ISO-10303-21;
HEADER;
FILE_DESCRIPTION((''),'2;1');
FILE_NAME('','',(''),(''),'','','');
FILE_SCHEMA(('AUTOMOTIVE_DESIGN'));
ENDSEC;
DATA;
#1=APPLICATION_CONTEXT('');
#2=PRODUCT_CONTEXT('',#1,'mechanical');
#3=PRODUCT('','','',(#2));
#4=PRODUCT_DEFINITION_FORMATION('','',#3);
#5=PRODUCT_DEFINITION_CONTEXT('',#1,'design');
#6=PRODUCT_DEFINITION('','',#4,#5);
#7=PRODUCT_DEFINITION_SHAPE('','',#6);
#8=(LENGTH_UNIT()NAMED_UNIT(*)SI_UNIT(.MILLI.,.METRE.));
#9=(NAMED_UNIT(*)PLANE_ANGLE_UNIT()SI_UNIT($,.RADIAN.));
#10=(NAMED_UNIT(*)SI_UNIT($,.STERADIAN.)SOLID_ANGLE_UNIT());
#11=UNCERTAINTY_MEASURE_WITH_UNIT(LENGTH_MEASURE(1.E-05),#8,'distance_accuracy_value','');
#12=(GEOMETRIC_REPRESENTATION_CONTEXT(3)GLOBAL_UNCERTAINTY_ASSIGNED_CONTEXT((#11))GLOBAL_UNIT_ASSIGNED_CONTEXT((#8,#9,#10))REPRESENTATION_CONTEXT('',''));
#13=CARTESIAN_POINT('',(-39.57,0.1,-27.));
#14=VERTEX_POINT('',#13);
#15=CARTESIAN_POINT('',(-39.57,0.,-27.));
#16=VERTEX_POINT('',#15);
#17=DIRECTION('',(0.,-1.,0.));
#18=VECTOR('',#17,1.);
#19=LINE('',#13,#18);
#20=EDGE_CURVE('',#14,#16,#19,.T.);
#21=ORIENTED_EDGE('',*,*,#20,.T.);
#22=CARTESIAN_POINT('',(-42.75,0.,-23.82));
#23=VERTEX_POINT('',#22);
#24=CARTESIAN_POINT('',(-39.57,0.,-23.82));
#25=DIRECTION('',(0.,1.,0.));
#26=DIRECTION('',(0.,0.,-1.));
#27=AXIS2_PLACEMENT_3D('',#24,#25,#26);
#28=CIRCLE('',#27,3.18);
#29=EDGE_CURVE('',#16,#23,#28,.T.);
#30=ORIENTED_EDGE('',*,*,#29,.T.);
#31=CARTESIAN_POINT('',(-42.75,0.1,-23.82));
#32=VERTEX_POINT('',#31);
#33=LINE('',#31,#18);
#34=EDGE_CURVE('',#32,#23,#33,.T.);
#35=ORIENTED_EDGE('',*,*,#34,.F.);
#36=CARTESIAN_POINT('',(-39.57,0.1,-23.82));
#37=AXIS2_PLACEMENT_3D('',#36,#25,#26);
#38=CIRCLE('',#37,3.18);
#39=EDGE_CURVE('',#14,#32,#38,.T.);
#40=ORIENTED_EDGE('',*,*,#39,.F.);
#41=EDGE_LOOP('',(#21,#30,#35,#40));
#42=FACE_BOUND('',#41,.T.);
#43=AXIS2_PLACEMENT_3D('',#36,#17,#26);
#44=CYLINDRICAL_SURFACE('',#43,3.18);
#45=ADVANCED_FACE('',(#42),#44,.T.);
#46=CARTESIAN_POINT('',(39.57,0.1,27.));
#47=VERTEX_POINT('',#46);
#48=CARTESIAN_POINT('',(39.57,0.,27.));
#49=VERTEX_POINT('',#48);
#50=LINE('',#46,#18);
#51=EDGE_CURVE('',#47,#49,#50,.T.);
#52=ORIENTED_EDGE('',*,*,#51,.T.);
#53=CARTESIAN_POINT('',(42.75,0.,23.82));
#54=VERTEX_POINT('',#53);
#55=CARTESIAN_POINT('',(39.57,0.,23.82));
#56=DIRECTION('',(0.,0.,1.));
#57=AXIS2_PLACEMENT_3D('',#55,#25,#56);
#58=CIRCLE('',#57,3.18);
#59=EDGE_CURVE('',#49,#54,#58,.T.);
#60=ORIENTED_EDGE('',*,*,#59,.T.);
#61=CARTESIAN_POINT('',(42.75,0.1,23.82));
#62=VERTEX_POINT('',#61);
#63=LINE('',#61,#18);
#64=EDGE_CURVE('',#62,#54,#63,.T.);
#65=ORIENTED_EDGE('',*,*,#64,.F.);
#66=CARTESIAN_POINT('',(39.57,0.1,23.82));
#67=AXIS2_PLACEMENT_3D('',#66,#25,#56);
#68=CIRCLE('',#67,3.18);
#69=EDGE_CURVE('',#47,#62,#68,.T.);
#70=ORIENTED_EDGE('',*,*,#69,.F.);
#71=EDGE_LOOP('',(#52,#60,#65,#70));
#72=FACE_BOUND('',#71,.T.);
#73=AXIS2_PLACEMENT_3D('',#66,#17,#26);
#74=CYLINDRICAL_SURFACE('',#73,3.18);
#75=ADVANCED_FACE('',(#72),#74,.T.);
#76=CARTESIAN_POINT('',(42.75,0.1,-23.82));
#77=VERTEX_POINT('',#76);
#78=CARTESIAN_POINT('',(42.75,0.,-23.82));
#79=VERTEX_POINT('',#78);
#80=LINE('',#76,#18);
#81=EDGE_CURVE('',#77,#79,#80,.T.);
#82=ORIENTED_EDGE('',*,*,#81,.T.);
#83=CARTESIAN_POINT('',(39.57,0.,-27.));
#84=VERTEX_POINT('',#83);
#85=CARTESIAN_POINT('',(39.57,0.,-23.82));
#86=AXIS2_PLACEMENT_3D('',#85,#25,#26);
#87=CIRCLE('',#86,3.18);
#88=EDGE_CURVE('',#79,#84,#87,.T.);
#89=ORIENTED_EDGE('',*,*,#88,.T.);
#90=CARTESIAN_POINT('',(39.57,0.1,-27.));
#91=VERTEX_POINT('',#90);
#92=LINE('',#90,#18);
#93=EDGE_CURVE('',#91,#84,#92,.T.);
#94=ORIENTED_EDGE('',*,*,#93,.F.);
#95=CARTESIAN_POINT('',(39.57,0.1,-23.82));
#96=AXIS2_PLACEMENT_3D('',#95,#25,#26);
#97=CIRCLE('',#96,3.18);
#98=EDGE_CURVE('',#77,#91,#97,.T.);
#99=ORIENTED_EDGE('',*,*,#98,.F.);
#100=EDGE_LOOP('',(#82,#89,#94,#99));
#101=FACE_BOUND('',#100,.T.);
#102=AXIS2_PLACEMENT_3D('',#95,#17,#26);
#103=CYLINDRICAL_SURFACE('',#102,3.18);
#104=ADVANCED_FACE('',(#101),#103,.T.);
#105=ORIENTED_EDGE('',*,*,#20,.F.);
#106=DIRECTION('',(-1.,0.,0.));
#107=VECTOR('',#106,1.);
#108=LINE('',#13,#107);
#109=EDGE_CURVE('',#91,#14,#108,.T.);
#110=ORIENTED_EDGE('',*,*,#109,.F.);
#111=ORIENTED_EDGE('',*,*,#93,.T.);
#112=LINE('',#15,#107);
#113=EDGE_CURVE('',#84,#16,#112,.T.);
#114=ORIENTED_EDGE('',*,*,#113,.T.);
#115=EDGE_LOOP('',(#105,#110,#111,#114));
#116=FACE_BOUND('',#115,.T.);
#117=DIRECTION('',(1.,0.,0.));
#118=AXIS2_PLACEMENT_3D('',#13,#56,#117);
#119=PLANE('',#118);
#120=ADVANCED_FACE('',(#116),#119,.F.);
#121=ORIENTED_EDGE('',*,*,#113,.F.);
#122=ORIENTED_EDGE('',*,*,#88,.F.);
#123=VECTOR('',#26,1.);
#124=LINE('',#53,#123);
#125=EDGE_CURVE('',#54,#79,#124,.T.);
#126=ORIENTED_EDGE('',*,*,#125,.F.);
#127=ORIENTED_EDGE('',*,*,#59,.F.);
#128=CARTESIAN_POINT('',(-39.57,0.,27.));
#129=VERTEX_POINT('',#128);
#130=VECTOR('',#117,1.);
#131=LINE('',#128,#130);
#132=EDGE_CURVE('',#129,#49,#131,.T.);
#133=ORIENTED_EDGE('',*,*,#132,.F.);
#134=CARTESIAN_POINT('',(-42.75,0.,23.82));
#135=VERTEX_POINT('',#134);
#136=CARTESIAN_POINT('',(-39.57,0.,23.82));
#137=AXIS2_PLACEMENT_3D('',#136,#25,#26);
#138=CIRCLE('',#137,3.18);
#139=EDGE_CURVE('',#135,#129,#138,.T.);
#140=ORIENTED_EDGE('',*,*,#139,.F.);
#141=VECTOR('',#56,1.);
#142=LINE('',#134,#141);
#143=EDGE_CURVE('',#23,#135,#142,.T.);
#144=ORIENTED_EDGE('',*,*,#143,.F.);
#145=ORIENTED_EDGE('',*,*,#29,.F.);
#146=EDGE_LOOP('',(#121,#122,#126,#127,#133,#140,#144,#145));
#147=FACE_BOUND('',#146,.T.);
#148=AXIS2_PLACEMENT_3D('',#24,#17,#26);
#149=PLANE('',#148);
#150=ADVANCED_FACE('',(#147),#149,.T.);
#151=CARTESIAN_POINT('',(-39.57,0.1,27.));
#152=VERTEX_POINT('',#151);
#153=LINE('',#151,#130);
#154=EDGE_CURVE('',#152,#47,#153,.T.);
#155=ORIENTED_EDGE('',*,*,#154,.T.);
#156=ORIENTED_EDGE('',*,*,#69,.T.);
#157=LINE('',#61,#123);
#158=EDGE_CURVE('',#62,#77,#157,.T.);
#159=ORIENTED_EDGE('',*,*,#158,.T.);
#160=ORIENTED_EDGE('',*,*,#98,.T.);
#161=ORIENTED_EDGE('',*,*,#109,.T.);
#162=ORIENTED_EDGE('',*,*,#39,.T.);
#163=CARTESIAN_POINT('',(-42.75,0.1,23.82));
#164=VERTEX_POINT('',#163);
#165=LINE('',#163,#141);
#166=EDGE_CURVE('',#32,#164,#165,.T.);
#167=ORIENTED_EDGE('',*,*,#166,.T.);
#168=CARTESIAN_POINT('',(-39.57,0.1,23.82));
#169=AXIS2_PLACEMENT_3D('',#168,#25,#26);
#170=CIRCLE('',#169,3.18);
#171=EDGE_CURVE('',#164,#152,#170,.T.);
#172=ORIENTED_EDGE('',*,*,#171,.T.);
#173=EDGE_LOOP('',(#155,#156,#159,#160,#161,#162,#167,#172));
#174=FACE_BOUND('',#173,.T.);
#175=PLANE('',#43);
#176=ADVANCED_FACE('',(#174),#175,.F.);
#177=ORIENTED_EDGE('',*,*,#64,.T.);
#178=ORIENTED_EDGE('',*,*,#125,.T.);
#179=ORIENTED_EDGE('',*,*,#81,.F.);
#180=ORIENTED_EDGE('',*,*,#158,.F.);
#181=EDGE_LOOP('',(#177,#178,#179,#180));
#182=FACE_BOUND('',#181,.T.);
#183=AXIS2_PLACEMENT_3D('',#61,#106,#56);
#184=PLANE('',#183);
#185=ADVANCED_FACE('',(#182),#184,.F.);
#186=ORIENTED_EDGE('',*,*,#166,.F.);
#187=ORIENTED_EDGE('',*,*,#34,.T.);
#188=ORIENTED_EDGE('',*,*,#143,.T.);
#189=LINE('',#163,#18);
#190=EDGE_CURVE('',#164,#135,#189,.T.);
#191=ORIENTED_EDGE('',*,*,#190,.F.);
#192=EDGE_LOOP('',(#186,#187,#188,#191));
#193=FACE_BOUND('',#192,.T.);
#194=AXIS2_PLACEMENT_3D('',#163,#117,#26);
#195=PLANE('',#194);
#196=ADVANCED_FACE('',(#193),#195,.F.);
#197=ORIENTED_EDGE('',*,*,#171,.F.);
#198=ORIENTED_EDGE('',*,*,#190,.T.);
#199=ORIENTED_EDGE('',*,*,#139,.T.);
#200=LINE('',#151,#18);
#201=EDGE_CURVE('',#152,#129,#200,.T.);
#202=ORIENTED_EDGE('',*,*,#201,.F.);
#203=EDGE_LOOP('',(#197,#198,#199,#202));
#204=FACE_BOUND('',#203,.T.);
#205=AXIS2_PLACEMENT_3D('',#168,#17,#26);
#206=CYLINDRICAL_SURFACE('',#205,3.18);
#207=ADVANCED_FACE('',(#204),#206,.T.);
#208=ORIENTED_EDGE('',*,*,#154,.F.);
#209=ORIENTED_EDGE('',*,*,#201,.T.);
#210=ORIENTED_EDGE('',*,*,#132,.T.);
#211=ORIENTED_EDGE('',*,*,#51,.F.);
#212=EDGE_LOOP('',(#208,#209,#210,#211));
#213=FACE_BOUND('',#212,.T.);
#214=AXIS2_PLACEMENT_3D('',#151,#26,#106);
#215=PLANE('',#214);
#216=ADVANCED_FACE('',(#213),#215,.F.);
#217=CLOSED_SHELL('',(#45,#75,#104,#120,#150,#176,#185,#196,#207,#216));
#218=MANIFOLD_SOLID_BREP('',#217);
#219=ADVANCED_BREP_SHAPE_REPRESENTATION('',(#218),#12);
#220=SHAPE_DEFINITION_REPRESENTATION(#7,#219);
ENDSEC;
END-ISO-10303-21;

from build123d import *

# Parameters (mm, degrees)
EXTRUDE_1_DEPTH = 0.1


with BuildPart() as part:
    # 草图1 → 凸台-拉伸1 (new body)
    with BuildSketch(Plane(origin=(0, 0, 0), x_dir=(1, 0, 0), z_dir=(0, 1, 0))):
        with BuildLine():
            Line((-39.57, -27), (39.57, -27))
            ThreePointArc((39.57, -27), (41.818599564, -26.068599564), (42.75, -23.82))
            Line((42.75, -23.82), (42.75, 23.82))
            ThreePointArc((42.75, 23.82), (41.818599564, 26.068599564), (39.57, 27))
            Line((39.57, 27), (-39.57, 27))
            ThreePointArc((-39.57, 27), (-41.818599564, 26.068599564), (-42.75, 23.82))
            Line((-42.75, 23.82), (-42.75, -23.82))
            ThreePointArc((-42.75, -23.82), (-41.818599564, -26.068599564), (-39.57, -27))
        make_face()
    extrude(amount=EXTRUDE_1_DEPTH)


solid = part.part
